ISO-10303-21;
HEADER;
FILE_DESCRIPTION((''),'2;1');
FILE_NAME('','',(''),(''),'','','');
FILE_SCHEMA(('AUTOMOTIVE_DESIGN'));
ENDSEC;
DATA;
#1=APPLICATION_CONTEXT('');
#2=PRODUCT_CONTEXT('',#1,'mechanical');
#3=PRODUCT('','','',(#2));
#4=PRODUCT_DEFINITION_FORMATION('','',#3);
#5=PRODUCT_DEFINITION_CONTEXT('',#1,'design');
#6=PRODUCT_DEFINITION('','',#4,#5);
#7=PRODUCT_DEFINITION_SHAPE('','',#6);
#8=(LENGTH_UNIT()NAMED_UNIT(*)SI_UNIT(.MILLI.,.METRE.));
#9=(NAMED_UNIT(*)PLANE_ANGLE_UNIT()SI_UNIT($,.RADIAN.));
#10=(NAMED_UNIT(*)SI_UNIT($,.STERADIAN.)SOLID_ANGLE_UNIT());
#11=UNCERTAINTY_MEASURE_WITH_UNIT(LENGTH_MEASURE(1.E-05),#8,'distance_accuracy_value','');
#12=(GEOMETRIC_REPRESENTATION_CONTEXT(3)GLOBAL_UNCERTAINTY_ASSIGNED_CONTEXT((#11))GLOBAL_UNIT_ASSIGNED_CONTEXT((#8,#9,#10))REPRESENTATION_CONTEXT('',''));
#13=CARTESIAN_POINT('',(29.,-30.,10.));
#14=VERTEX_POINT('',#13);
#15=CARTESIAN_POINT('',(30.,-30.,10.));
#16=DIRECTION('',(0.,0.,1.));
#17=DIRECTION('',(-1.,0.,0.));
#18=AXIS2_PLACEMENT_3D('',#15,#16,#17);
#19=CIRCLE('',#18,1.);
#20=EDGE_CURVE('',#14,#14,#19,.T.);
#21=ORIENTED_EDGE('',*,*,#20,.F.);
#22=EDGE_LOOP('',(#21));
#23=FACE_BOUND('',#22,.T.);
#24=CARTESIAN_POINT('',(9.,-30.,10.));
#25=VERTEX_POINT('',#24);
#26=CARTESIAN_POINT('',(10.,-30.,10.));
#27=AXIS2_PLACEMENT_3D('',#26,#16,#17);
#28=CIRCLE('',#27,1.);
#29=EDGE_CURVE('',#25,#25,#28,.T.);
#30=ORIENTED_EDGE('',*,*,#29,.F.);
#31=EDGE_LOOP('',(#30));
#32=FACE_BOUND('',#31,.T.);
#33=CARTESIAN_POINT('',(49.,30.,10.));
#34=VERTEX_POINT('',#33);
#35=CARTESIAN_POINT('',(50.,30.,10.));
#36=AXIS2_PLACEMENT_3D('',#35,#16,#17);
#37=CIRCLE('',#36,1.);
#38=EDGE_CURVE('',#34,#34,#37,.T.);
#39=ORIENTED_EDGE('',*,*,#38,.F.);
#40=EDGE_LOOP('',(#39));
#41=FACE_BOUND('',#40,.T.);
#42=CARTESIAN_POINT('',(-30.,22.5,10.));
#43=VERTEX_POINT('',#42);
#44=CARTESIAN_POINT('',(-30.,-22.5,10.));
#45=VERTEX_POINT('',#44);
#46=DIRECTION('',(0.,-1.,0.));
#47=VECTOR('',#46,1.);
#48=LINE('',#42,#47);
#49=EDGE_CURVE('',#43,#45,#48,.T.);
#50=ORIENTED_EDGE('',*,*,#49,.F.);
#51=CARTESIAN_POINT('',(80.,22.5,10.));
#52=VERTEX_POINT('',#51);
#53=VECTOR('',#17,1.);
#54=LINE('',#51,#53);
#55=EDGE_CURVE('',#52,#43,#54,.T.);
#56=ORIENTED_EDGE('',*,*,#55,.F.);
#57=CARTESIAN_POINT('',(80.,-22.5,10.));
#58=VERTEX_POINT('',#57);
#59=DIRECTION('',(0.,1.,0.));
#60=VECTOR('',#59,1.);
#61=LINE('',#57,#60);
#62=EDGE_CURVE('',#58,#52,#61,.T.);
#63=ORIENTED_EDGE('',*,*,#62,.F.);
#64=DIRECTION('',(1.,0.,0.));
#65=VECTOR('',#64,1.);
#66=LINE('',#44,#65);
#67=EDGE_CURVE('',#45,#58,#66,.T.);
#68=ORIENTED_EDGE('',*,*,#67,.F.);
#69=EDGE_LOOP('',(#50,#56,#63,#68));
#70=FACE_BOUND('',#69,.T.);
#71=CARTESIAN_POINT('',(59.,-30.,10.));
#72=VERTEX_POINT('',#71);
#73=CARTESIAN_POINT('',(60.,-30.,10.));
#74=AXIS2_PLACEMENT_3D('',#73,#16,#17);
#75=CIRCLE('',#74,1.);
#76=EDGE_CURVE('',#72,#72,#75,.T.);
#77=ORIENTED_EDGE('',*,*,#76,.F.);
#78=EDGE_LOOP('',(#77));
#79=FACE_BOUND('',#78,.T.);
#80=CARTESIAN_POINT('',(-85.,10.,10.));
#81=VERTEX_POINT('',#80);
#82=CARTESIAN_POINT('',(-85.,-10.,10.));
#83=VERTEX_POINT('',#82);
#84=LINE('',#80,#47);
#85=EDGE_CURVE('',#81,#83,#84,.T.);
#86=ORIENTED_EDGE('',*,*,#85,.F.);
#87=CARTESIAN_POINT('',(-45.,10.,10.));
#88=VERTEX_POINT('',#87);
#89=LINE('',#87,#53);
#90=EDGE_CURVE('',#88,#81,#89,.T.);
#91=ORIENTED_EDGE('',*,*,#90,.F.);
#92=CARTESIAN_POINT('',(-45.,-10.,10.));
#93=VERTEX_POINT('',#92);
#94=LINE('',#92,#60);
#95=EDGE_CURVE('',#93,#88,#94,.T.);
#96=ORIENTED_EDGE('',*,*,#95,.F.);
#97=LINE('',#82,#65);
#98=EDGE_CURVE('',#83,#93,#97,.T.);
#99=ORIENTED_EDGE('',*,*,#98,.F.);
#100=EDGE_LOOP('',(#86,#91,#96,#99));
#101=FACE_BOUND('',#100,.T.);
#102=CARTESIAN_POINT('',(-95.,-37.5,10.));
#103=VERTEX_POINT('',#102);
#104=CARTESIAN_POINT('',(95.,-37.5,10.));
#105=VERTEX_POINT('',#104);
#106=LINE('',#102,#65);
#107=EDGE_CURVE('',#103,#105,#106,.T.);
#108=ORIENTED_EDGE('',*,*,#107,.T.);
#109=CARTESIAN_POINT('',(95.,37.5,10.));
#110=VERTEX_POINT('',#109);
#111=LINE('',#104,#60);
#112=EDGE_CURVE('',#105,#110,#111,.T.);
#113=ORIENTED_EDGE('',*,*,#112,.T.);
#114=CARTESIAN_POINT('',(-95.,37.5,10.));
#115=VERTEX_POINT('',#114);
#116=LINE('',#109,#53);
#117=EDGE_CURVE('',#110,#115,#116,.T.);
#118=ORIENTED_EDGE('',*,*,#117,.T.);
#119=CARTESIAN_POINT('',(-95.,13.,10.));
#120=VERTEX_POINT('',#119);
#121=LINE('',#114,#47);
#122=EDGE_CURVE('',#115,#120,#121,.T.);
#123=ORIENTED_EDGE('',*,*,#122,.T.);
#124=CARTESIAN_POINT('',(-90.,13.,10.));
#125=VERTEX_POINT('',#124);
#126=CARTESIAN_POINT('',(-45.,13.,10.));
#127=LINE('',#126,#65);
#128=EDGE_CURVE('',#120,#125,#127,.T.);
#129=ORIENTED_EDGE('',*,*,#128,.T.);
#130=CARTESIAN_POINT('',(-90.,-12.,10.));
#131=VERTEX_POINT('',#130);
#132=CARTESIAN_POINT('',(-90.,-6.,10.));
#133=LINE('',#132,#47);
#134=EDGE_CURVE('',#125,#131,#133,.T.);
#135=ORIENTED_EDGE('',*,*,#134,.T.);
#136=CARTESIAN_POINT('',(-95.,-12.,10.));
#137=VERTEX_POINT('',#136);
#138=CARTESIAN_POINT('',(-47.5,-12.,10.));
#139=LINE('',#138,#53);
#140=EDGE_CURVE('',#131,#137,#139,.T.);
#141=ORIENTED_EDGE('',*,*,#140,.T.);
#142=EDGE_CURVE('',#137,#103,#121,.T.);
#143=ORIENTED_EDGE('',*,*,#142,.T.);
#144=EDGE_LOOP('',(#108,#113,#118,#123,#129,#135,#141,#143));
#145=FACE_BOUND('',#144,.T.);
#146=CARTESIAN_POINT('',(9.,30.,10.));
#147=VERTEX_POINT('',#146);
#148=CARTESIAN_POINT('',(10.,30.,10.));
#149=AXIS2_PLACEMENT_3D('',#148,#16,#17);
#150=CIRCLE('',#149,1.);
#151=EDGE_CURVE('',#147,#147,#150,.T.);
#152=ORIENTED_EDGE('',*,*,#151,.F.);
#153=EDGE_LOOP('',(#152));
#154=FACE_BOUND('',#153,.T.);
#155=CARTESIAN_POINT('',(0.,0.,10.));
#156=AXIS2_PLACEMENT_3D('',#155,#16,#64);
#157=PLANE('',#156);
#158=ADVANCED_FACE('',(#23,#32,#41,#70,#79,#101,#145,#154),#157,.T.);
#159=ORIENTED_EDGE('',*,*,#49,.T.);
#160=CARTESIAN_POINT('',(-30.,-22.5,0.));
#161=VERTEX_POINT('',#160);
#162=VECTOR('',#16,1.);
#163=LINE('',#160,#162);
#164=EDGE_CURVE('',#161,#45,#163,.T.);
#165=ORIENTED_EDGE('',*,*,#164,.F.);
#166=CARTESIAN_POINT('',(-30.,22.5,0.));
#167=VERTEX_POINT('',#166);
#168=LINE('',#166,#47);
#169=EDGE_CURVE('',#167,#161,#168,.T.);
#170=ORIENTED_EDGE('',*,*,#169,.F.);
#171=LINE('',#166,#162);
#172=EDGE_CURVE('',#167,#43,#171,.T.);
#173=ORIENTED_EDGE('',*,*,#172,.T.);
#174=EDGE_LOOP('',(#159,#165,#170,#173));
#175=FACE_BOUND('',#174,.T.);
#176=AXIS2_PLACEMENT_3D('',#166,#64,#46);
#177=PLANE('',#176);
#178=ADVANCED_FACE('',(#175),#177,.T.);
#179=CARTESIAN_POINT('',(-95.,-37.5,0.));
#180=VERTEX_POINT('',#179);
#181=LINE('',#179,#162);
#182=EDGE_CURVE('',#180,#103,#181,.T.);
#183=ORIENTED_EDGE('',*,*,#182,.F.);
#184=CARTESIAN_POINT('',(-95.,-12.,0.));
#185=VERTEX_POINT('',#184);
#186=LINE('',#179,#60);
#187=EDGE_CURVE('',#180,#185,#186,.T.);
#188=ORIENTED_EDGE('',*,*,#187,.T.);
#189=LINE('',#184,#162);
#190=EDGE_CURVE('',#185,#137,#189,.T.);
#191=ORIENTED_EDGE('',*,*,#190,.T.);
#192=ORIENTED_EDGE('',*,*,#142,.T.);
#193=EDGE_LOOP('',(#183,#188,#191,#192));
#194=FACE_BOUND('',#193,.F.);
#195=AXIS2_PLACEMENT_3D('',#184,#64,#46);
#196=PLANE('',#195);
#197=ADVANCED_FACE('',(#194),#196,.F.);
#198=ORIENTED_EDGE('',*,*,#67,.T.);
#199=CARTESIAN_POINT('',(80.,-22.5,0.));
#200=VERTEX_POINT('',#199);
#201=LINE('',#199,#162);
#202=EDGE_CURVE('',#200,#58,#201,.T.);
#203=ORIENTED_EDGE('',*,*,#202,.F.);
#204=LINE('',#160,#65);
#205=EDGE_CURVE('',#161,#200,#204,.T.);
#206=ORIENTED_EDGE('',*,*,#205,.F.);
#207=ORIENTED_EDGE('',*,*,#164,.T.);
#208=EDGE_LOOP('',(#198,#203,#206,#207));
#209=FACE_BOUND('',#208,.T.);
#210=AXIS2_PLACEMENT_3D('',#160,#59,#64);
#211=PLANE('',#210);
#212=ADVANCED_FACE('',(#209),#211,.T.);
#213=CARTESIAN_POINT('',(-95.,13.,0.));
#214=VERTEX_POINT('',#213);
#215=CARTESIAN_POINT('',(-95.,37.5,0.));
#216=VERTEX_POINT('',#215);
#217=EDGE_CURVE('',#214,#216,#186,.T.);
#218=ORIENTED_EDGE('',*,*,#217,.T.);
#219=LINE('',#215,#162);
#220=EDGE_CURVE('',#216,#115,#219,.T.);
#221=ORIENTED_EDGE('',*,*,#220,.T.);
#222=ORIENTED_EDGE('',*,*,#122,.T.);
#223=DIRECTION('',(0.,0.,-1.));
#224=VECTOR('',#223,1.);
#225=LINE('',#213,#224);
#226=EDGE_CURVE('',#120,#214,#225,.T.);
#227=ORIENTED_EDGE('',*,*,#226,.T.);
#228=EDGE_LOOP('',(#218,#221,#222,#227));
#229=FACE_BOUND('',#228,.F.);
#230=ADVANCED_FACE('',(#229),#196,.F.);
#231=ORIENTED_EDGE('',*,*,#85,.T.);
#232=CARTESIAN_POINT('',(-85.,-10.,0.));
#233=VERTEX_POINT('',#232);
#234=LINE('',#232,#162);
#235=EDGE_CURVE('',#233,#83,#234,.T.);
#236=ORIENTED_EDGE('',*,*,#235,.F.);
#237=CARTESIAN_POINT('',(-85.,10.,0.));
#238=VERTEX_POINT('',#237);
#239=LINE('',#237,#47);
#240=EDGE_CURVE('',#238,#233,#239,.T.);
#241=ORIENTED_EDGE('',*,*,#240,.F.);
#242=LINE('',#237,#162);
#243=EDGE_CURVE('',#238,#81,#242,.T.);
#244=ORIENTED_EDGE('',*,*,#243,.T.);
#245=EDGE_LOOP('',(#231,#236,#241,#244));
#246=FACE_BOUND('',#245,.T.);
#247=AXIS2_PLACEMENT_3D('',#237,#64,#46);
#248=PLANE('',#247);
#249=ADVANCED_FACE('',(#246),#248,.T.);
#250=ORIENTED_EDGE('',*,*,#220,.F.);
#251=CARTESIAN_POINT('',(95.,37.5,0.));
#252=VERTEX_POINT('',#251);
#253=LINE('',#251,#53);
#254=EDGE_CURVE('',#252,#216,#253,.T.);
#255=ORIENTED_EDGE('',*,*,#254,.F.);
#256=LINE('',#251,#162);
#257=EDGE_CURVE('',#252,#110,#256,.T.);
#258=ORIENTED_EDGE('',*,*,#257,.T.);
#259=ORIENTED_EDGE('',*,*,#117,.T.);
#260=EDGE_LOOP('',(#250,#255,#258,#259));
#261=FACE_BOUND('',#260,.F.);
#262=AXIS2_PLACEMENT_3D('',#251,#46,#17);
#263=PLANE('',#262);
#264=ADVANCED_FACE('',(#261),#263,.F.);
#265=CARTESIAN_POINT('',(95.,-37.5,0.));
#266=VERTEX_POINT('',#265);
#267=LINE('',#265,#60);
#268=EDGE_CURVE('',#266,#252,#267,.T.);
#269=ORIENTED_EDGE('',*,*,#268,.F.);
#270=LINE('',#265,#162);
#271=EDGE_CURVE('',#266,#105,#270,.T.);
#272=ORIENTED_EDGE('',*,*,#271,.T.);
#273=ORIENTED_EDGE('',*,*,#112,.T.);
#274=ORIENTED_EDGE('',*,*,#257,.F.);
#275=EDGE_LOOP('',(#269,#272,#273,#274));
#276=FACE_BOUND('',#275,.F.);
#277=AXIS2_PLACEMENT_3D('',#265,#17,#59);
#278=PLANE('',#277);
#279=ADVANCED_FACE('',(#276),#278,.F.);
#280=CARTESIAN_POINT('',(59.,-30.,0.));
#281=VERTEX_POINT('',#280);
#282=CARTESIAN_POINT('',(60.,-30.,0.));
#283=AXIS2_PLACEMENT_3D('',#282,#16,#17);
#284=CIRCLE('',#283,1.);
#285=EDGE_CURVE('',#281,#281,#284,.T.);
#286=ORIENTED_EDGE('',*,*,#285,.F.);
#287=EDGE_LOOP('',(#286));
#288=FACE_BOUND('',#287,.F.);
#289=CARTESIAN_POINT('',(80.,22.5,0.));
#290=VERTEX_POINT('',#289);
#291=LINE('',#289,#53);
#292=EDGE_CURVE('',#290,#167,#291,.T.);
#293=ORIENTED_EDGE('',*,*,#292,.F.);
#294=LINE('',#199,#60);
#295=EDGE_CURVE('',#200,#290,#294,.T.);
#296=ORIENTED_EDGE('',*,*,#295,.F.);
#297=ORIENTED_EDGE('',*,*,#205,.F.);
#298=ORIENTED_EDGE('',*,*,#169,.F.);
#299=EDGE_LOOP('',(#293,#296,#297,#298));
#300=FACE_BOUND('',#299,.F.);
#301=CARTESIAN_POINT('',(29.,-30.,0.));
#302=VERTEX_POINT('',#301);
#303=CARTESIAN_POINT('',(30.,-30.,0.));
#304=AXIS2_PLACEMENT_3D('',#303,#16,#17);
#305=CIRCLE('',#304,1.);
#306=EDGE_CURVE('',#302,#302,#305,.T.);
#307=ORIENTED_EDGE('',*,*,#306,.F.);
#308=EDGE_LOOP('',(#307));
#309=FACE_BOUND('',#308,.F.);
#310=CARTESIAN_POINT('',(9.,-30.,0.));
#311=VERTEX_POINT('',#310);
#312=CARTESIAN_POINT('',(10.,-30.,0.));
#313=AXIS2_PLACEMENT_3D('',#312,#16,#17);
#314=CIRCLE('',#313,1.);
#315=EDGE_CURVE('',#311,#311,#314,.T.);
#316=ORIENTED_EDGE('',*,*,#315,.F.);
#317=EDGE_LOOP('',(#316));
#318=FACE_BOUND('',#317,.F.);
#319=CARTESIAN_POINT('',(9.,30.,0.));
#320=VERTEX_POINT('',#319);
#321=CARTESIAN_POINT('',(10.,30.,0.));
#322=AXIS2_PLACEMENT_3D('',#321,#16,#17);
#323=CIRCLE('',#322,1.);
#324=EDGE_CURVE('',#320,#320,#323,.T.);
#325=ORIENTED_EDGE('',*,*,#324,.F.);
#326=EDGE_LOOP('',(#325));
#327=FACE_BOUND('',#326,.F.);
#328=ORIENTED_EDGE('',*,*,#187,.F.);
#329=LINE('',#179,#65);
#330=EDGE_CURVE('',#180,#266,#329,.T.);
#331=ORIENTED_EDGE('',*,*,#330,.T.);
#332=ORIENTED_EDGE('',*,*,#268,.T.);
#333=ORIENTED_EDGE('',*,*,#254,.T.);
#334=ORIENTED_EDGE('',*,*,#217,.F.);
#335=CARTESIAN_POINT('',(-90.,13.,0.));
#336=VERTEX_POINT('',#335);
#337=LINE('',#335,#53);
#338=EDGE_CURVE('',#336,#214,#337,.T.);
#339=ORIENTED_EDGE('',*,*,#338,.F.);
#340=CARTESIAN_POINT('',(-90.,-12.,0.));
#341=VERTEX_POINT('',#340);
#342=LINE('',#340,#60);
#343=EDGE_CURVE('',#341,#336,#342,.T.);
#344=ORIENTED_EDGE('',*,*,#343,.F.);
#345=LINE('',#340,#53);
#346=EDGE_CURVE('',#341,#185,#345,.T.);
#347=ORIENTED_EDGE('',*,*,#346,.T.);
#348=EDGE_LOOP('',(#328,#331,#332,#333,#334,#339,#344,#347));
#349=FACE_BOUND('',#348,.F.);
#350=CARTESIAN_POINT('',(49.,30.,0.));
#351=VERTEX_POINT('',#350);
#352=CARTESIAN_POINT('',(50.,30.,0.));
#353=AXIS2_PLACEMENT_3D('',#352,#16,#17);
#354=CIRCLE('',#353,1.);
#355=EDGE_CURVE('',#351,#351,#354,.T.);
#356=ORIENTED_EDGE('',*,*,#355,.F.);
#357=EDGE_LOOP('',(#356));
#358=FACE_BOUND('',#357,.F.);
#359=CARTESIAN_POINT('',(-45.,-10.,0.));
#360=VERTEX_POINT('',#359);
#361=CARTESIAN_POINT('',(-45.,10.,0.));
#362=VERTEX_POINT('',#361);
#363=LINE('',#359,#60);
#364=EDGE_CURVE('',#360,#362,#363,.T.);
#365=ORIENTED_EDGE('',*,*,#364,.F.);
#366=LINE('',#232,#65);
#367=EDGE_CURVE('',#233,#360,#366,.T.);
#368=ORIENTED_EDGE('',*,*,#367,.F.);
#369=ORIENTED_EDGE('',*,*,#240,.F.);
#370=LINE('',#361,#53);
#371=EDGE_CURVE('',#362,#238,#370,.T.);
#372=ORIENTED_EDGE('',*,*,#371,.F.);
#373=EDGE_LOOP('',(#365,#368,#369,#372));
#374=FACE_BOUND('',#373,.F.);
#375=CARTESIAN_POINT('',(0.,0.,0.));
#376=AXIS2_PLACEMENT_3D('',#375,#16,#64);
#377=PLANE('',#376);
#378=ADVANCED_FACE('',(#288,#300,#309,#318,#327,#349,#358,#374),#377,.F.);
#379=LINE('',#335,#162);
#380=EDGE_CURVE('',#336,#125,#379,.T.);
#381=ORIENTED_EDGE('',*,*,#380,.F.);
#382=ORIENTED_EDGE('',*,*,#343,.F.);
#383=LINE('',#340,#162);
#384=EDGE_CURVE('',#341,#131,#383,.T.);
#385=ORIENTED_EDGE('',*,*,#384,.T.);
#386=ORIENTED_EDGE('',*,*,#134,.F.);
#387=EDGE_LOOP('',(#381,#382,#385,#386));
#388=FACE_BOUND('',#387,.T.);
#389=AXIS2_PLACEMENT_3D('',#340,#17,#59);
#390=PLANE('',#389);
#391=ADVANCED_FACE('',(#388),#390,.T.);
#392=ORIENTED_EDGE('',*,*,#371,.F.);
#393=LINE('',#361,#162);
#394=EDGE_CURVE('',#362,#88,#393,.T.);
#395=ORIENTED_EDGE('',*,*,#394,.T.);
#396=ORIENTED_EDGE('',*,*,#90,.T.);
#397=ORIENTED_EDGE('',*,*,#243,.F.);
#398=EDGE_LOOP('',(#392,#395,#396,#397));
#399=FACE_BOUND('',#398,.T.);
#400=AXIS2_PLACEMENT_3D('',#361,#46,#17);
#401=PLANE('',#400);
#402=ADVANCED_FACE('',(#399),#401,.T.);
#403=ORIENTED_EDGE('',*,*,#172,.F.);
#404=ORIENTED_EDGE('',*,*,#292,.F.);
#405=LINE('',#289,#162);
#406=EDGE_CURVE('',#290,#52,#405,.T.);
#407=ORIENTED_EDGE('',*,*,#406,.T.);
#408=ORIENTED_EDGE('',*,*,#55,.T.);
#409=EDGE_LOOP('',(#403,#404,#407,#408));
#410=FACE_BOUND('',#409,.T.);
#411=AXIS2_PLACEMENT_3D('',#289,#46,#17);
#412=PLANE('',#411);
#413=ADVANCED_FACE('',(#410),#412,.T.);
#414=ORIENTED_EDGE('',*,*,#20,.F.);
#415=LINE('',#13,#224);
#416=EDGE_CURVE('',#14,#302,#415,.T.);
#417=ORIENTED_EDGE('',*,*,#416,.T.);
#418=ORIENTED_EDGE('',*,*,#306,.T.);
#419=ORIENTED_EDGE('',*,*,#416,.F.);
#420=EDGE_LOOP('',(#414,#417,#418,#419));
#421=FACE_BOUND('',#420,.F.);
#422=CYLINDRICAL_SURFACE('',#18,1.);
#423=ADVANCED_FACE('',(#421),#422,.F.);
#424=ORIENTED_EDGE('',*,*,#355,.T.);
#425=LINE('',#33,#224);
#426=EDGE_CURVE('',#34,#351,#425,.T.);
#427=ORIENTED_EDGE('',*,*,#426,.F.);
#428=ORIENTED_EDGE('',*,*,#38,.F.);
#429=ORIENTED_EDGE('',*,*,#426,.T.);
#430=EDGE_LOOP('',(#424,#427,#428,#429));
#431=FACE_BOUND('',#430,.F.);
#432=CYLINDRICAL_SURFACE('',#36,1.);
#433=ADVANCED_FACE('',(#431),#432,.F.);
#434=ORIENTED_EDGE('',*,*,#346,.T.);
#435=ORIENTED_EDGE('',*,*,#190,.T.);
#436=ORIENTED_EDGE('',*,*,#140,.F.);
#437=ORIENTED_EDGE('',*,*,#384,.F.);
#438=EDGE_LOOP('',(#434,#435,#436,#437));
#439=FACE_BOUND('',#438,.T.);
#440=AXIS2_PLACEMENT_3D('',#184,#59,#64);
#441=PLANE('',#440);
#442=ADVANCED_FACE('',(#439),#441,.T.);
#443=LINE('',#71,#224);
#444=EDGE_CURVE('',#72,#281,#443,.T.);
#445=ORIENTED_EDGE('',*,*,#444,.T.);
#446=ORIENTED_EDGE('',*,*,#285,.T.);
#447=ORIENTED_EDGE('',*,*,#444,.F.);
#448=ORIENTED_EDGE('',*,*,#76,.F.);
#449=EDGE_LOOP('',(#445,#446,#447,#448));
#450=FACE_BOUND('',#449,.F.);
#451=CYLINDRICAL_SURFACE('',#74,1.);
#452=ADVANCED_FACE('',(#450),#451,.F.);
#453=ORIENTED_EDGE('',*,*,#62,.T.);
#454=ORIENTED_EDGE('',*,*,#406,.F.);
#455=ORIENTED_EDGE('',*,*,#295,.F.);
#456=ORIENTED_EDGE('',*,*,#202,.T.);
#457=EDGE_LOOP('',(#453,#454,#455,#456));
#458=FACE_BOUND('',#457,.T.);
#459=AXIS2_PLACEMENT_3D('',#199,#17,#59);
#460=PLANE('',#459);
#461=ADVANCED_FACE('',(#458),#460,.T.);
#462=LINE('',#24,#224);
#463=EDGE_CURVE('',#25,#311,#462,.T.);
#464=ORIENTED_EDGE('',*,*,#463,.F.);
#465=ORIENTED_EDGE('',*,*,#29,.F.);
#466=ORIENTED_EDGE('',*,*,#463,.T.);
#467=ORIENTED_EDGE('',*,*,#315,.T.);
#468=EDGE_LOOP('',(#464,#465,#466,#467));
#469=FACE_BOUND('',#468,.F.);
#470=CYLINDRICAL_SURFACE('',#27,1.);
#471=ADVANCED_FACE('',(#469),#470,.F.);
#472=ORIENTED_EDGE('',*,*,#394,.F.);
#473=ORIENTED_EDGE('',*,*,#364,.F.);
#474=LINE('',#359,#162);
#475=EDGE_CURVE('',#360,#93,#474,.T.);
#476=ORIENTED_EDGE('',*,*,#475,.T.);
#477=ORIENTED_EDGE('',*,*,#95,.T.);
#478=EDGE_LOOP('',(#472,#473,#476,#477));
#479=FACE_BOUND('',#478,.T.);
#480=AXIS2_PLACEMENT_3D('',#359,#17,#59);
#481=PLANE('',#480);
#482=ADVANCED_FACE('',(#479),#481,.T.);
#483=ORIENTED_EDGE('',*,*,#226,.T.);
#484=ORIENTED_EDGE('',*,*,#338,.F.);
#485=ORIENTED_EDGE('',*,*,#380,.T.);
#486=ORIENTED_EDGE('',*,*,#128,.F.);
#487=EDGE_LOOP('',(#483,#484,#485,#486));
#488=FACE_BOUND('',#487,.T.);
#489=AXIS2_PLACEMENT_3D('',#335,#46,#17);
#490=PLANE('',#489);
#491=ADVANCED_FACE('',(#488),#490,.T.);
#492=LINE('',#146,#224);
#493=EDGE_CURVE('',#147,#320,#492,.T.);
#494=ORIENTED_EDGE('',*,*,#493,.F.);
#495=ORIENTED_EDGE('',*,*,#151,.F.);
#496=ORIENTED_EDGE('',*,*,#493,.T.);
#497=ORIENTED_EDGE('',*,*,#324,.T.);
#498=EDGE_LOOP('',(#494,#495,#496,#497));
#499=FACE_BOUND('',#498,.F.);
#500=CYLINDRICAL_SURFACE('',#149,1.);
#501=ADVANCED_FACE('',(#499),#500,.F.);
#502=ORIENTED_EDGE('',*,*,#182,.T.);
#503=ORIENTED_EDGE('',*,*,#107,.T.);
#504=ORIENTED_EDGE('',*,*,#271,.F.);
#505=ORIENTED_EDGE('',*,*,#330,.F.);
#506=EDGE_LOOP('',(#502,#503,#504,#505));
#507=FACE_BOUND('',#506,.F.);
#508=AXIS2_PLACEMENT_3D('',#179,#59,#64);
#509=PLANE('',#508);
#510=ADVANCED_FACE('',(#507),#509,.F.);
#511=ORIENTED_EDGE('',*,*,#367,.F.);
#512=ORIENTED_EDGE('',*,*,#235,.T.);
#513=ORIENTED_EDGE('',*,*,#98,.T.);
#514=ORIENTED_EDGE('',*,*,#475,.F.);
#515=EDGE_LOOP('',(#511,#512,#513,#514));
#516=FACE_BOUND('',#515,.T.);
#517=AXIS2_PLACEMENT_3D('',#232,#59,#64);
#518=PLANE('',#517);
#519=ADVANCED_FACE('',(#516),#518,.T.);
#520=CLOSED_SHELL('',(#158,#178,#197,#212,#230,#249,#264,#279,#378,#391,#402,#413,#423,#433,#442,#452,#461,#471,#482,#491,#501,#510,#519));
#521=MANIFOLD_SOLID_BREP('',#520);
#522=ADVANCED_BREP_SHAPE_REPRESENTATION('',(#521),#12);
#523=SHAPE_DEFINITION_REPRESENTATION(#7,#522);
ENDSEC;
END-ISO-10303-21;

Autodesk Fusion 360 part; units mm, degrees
sketch "Sketch1" plane through (0, 0, 0) normal (0, 0, 1) x (1, 0, 0)
  line L0 (95, 37.5) -> (-95, 37.5)
  line L1 (-95, 37.5) -> (-95, -37.5)
  line L2 (-95, -37.5) -> (95, -37.5)
  line L3 (95, -37.5) -> (95, 37.5)
  line L4 (95, 37.5) -> (-95, -37.5) construction
  line L5 (-95, 37.5) -> (95, -37.5) construction
  line L6 (-45, 10) -> (-85, 10)
  line L7 (-85, 10) -> (-85, -10)
  line L8 (-85, -10) -> (-45, -10)
  line L9 (-45, -10) -> (-45, 10)
  line L10 (-45, 10) -> (-85, -10) construction
  line L11 (-85, 10) -> (-45, -10) construction
  line L12 (80, 22.5) -> (-30, 22.5)
  line L13 (-30, 22.5) -> (-30, -22.5)
  line L14 (-30, -22.5) -> (80, -22.5)
  line L15 (80, -22.5) -> (80, 22.5)
  line L16 (80, 22.5) -> (-30, -22.5) construction
  line L17 (-30, 22.5) -> (80, -22.5) construction
  line L18 (-90, 13) -> (-106.6701, 13)
  line L19 (-106.6701, 13) -> (-106.6701, -12)
  line L20 (-106.6701, -12) -> (-90, -12)
  line L21 (-90, -12) -> (-90, 13)
  point P0 (-65, 0)
  point P1 (25, 0)
  dimension "d1" = 190
  dimension "d2" = 75
  dimension "d3" = 40
  dimension "d4" = 20
  dimension "d5" = 110
  dimension "d6" = 45
  dimension "d16" = 25
extrude "Extrude1" add sketch "Sketch1" along normal blind 10 contours L0 L1 L2 L3 L18 L20 L21 | L1 L18 L20 L21
sketch "Sketch2" plane through (0, 0, 10) normal (0, 0, 1) x (-1, 0, 0)
  line L0 (-80, -22.5) -> (-80, 22.5)
  line L1 (-80, 22.5) -> (30, 22.5)
  line L2 (30, 22.5) -> (30, -22.5)
  line L3 (30, -22.5) -> (-80, -22.5)
  line L4 (45, -10) -> (45, 10)
  line L5 (45, 10) -> (85, 10)
  line L6 (85, 10) -> (85, -10)
  line L7 (85, -10) -> (45, -10)
  line L8 (-95, 37.5) -> (-95, -37.5)
  line L9 (-95, -37.5) -> (95, -37.5)
  line L10 (95, -37.5) -> (95, 37.5)
  line L11 (95, 37.5) -> (-95, 37.5)
  circle A0 centre (-10, -30) radius 1
  circle A1 centre (-50, -30) radius 1
  circle A2 centre (-10, 30) radius 1
  circle A3 centre (-30, 30) radius 1
  circle A4 centre (-60, 30) radius 1
  dimension "d9" = 2
  dimension "d10" = 2
  dimension "d11" = 2
  dimension "d12" = 2
  dimension "d13" = 2
extrude "Extrude2" cut sketch "Sketch2" against normal blind 30 contours A0 | A1 | A2 | A3 | A4
extrude "Extrude3" cut sketch "Sketch1" along normal blind 40 contours L1 L18 L20 L21 | L1 L18 L19 L20
